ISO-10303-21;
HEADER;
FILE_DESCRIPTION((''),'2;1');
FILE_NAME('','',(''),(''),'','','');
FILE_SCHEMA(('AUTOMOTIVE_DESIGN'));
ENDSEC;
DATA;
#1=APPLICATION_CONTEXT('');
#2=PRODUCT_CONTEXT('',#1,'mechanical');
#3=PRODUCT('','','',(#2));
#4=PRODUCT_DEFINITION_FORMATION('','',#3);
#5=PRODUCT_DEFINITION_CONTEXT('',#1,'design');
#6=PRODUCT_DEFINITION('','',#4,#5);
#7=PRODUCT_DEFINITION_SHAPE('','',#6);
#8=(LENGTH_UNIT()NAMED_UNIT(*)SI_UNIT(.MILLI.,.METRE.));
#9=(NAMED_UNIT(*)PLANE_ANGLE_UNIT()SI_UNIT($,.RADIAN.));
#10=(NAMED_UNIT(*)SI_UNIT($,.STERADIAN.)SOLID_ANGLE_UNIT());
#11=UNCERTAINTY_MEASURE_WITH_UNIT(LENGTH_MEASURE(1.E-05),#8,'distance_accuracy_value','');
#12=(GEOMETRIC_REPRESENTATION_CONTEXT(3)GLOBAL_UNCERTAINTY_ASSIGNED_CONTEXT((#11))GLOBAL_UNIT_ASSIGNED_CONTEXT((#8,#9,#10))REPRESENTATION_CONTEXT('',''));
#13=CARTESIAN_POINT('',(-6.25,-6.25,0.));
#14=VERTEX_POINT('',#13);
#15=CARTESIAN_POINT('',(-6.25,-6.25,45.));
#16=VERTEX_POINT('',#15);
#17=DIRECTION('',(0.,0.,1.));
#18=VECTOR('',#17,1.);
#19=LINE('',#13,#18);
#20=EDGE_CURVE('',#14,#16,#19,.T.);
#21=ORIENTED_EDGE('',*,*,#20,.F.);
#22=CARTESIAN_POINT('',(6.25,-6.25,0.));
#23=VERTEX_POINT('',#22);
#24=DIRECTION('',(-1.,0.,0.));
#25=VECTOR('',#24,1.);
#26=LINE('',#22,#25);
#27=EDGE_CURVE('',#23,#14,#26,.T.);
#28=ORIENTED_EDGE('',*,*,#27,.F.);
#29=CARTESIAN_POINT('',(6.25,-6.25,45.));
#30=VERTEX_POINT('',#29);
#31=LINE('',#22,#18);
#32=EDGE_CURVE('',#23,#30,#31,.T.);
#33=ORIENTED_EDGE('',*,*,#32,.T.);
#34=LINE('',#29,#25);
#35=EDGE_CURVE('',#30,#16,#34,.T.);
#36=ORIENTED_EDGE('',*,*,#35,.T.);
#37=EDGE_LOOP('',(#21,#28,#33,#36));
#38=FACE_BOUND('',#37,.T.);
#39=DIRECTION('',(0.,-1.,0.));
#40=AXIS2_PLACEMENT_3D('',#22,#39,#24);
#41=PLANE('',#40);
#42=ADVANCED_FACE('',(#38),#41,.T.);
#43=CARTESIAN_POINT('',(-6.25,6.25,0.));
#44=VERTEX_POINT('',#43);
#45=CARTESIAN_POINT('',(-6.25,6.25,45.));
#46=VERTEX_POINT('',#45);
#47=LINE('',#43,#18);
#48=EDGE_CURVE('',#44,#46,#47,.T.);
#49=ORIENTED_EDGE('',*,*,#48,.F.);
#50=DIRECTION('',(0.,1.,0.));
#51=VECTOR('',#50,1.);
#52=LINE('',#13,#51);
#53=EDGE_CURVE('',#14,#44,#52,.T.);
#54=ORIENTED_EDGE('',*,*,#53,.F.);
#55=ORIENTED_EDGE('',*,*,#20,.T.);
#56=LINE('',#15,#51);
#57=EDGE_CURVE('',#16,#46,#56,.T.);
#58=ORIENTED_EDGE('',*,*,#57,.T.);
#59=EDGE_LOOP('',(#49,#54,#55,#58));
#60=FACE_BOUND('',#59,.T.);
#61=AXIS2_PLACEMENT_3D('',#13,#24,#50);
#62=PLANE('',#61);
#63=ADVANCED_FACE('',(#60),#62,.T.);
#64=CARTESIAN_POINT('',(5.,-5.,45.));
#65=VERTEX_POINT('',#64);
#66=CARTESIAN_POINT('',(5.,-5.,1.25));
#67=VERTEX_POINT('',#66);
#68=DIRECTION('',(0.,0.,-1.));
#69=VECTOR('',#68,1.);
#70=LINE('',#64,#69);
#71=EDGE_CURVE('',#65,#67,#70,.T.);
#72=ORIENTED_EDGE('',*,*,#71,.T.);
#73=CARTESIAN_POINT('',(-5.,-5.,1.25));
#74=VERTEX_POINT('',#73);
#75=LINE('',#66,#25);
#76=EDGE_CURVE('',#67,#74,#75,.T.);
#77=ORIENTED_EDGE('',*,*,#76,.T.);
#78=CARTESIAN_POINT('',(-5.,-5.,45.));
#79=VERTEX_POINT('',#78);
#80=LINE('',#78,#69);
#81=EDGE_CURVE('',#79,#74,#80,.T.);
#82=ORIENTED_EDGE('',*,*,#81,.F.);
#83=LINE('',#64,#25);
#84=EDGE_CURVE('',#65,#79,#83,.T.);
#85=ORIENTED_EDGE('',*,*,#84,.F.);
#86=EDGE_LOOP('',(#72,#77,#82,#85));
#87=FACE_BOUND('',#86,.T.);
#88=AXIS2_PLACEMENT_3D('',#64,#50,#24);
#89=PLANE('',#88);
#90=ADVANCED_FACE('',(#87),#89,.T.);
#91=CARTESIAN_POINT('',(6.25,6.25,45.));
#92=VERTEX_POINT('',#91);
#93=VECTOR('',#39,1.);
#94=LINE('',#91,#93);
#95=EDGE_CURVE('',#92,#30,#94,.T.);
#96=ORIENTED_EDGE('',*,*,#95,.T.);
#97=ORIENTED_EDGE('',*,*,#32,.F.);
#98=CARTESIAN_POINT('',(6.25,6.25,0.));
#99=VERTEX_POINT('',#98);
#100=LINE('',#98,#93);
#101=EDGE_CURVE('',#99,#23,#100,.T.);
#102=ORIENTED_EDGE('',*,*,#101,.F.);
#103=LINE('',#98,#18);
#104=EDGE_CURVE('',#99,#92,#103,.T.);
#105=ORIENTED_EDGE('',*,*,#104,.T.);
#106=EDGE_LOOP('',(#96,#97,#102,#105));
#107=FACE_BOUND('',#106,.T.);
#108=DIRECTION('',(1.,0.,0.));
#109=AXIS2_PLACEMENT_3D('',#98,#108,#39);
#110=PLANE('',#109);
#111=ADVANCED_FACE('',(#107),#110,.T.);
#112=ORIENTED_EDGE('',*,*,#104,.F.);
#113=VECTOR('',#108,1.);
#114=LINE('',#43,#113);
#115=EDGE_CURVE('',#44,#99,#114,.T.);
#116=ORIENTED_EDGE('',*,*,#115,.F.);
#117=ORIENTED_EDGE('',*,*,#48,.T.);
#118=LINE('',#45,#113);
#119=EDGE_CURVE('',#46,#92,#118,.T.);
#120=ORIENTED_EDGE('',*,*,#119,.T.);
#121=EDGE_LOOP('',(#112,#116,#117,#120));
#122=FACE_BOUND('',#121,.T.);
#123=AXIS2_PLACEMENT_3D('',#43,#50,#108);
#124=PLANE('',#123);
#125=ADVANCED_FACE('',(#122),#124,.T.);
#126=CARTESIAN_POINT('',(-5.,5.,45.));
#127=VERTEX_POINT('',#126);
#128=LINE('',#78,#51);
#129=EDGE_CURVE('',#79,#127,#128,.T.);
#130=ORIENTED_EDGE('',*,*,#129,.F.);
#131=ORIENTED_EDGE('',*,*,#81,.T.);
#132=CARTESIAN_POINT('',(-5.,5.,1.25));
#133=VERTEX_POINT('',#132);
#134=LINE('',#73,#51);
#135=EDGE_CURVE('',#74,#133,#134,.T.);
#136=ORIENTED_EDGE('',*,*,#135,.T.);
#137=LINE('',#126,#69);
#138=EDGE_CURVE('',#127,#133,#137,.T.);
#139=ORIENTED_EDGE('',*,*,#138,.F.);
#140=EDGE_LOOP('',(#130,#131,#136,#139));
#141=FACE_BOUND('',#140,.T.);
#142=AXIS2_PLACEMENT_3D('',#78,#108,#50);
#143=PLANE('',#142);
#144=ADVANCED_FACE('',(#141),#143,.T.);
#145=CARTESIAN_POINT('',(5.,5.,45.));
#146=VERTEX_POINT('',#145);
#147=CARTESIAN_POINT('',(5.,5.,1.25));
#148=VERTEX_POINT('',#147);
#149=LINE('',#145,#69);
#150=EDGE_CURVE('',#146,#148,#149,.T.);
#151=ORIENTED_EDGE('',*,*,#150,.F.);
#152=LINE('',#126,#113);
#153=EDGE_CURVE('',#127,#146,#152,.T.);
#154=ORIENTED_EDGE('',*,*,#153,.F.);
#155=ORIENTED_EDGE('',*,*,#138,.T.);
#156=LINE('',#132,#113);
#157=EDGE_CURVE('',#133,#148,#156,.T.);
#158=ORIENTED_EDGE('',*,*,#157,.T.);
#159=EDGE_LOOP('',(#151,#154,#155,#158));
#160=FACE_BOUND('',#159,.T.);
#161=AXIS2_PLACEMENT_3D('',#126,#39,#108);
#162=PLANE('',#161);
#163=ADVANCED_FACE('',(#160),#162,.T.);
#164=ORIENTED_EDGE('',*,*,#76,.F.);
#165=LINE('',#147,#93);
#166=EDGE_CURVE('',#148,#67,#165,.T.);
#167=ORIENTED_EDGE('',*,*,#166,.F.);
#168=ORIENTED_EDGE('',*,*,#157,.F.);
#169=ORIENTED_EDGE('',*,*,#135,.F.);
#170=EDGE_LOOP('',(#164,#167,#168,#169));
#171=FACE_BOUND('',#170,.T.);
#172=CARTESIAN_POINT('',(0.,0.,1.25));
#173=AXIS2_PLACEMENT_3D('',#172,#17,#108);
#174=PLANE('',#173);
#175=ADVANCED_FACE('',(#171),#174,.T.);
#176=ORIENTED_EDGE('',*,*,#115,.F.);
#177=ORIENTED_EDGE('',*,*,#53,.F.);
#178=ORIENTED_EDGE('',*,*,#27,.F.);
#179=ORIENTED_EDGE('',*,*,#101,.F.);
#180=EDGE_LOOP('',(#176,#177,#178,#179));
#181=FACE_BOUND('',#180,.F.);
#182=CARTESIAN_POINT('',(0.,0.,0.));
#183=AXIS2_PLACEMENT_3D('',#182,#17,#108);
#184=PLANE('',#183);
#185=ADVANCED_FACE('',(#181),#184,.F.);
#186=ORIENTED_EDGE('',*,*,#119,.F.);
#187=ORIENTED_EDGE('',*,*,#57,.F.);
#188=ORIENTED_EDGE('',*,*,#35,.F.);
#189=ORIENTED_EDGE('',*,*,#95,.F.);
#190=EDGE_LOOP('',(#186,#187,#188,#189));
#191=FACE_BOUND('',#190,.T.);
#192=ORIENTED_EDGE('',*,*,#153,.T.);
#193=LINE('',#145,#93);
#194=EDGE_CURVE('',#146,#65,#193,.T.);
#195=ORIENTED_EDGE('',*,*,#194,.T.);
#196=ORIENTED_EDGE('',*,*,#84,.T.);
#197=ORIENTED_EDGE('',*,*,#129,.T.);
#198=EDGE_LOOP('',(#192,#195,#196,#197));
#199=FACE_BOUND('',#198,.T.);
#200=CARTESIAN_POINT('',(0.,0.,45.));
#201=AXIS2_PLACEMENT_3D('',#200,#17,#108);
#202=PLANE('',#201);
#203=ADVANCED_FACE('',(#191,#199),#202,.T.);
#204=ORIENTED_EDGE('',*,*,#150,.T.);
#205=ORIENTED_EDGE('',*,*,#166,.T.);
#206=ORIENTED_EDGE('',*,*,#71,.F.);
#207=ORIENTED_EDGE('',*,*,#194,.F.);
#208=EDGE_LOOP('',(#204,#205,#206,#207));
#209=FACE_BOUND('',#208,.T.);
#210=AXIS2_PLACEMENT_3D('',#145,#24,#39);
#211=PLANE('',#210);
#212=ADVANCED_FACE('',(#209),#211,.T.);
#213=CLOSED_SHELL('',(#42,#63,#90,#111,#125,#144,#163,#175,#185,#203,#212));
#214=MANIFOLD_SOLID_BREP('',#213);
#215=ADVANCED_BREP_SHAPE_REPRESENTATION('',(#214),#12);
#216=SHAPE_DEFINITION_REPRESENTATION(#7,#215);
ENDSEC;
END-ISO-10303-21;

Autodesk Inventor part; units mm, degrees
ref_plane "YZ Plane" through (0, 0, 0) normal (1, 0, 0) x (0, 1, 0)
ref_plane "XZ Plane" through (0, 0, 0) normal (0, 1, 0) x (-1, 0, 0)
ref_plane "XY Plane" through (0, 0, 0) normal (0, 0, 1) x (1, 0, 0)
sketch "Sketch1" plane through (0, 0, 0) normal (0, 0, 1) x (1, 0, 0)
  line L0 (0, 8.75) -> (0, -8.75) construction
  line L1 (-8.75, 0) -> (8.75, 0) construction
  line L2 (-6.25, 6.25) -> (6.25, 6.25)
  line L3 (6.25, 6.25) -> (6.25, -6.25)
  line L4 (6.25, -6.25) -> (-6.25, -6.25)
  line L5 (-6.25, -6.25) -> (-6.25, 6.25)
  point P0 (0, 0)
  dimension "d0" = 12.5
  dimension "d1" = 12.5
extrude "Extrusion1" add sketch "Sketch1" along normal blind 45
sketch "Sketch2" plane through (0, 0, 45) normal (0, 0, 1) x (1, 0, 0)
  line L0 (-6.25, 6.25) -> (6.25, 6.25) projected
  line L1 (-6.25, -6.25) -> (-6.25, 6.25) projected
  line L2 (-5, 5) -> (5, 5)
  line L3 (5, 5) -> (5, -5)
  line L4 (5, -5) -> (-5, -5)
  line L5 (-5, -5) -> (-5, 5)
  point P0 (0, 0)
  dimension "d4" = 10
  dimension "d5" = 10
  dimension "d6" = 1.25
  dimension "d7" = 1.25
extrude "Extrusion2" cut sketch "Sketch2" against normal blind 43.75
properties part number "Küvette_10mm" material "Glass"
